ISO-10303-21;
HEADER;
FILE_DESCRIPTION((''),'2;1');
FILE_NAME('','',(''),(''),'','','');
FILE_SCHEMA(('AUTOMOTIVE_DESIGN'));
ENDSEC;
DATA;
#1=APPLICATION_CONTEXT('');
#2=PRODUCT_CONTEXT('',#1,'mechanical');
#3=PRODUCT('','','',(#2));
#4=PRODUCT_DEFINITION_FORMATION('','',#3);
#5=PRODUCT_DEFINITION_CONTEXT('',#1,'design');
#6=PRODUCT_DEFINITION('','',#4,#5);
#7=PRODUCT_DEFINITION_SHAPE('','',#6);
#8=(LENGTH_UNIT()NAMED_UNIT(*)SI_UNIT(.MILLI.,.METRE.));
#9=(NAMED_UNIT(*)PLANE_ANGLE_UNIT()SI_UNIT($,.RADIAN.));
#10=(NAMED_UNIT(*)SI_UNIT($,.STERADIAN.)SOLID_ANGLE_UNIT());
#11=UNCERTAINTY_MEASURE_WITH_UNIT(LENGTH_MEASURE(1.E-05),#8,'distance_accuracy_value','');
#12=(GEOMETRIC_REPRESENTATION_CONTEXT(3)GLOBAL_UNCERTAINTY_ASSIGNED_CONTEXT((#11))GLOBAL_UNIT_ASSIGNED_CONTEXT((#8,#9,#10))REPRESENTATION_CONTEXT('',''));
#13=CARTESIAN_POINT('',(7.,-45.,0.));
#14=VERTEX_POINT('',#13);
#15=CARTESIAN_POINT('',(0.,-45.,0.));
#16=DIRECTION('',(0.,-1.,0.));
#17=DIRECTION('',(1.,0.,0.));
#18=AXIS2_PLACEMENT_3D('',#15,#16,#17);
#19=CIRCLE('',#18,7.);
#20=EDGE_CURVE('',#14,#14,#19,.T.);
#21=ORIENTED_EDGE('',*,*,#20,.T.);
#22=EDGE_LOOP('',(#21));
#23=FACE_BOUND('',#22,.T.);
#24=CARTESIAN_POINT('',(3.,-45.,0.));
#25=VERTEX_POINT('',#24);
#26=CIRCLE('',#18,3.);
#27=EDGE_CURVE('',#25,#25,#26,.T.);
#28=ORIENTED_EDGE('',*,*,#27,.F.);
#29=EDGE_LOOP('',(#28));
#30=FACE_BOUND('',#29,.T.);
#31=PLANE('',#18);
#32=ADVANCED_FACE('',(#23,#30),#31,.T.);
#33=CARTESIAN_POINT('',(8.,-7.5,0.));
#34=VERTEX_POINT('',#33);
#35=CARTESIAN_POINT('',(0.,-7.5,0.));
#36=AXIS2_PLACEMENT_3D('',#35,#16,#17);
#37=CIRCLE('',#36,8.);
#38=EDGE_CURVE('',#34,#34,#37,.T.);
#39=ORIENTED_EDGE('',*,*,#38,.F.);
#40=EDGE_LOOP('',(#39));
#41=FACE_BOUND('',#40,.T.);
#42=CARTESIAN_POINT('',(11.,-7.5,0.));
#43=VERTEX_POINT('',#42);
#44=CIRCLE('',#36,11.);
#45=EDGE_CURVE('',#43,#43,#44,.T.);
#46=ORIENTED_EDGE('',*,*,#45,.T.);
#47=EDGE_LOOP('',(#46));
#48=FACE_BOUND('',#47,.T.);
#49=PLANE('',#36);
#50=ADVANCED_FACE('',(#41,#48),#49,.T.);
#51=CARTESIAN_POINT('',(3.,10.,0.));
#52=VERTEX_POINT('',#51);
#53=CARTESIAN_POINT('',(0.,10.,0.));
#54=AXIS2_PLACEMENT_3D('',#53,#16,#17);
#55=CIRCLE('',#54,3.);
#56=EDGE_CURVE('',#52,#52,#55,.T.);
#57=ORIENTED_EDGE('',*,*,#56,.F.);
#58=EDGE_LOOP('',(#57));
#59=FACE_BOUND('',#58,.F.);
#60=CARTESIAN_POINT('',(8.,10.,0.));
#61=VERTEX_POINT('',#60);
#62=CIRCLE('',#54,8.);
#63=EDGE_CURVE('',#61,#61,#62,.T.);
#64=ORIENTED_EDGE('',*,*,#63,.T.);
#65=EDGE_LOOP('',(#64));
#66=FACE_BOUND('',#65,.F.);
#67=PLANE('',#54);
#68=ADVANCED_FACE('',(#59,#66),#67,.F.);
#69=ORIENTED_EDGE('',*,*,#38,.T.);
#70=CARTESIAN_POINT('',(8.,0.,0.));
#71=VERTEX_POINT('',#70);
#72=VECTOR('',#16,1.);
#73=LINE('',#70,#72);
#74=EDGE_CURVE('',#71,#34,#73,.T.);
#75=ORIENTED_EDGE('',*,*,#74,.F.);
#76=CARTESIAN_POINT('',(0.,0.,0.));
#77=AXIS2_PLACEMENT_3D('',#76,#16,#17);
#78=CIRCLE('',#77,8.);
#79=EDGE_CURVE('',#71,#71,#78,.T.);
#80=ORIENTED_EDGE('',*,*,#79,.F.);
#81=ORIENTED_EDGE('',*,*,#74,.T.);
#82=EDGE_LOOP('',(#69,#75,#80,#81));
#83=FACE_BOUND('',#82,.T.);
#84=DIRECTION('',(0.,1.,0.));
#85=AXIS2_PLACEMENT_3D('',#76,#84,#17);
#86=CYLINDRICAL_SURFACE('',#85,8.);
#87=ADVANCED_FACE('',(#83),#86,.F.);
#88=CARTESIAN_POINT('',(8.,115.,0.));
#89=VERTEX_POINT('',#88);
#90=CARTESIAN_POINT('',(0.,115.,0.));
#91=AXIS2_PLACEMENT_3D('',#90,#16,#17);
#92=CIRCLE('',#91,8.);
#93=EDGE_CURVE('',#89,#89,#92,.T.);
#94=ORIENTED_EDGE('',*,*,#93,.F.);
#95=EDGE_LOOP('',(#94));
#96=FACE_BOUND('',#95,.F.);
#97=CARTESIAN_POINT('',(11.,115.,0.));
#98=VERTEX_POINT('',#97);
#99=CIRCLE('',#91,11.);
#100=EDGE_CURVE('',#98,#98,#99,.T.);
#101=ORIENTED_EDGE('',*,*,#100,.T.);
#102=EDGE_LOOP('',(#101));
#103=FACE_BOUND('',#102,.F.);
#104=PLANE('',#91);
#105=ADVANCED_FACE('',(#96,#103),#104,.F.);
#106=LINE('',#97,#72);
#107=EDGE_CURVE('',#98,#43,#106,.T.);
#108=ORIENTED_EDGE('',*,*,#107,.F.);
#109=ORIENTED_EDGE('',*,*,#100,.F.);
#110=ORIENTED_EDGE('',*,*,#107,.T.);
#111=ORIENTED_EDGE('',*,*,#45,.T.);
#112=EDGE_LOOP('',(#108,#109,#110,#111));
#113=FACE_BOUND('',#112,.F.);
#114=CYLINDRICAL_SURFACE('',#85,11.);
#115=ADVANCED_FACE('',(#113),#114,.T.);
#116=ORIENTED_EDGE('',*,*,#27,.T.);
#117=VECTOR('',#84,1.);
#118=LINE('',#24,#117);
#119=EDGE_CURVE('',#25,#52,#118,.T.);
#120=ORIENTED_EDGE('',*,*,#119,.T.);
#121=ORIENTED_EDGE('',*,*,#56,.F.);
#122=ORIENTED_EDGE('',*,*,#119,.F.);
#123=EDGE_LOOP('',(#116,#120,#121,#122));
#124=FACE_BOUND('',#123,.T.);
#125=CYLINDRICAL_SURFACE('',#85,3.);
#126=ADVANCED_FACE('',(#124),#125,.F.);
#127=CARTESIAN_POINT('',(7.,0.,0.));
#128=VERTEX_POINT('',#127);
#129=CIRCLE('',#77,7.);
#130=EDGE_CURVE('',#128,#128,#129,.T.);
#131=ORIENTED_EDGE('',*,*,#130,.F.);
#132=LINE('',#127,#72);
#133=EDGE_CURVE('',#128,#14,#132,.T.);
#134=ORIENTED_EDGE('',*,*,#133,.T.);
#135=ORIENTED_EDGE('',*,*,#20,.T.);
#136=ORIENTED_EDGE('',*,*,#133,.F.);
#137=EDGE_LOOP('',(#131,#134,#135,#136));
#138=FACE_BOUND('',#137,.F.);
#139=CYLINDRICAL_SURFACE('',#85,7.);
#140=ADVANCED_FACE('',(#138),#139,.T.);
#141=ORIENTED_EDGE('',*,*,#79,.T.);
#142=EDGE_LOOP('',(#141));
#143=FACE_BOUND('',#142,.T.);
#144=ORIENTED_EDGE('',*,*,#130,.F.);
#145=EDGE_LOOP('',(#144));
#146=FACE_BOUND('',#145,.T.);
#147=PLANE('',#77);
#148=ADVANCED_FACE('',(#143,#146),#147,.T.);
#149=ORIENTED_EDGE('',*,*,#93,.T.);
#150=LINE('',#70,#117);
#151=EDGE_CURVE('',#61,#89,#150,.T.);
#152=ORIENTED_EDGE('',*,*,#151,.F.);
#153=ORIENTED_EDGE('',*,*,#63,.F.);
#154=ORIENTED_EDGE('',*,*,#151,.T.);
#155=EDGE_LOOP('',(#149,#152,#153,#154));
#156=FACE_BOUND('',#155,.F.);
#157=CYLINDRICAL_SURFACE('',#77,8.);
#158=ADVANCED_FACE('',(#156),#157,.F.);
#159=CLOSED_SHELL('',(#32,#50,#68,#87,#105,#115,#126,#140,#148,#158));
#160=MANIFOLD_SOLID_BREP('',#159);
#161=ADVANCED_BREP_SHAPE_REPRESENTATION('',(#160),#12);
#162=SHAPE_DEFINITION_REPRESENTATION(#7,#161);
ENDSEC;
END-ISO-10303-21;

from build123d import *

# Parameters (mm, degrees)
SKETCH053_R    = 11
SKETCH053_R_2  = 8
PAD_DEPTH      = 115
PAD_DEPTH_BACK = 7.5
SKETCH054_R    = 11
SKETCH054_R_2  = 3
PAD025_DEPTH   = 10
SKETCH055_R    = 7
SKETCH055_R_2  = 3
PAD026_DEPTH   = 45


with BuildPart() as part:
    # Sketch053 → Pad (new body, two sides)
    with BuildSketch(Plane.XZ) as pad_sk:
        Circle(SKETCH053_R)
        Circle(SKETCH053_R_2, mode=Mode.SUBTRACT)
    extrude(amount=-PAD_DEPTH)
    extrude(pad_sk.sketch, amount=PAD_DEPTH_BACK)

    # Sketch054 → Pad025 (join)
    with BuildSketch(Plane.XZ):
        Circle(SKETCH054_R)
        Circle(SKETCH054_R_2, mode=Mode.SUBTRACT)
    extrude(amount=-PAD025_DEPTH)

    # Sketch055 → Pad026 (join)
    with BuildSketch(Plane.XZ):
        Circle(SKETCH055_R)
        Circle(SKETCH055_R_2, mode=Mode.SUBTRACT)
    extrude(amount=PAD026_DEPTH)


solid = part.part
